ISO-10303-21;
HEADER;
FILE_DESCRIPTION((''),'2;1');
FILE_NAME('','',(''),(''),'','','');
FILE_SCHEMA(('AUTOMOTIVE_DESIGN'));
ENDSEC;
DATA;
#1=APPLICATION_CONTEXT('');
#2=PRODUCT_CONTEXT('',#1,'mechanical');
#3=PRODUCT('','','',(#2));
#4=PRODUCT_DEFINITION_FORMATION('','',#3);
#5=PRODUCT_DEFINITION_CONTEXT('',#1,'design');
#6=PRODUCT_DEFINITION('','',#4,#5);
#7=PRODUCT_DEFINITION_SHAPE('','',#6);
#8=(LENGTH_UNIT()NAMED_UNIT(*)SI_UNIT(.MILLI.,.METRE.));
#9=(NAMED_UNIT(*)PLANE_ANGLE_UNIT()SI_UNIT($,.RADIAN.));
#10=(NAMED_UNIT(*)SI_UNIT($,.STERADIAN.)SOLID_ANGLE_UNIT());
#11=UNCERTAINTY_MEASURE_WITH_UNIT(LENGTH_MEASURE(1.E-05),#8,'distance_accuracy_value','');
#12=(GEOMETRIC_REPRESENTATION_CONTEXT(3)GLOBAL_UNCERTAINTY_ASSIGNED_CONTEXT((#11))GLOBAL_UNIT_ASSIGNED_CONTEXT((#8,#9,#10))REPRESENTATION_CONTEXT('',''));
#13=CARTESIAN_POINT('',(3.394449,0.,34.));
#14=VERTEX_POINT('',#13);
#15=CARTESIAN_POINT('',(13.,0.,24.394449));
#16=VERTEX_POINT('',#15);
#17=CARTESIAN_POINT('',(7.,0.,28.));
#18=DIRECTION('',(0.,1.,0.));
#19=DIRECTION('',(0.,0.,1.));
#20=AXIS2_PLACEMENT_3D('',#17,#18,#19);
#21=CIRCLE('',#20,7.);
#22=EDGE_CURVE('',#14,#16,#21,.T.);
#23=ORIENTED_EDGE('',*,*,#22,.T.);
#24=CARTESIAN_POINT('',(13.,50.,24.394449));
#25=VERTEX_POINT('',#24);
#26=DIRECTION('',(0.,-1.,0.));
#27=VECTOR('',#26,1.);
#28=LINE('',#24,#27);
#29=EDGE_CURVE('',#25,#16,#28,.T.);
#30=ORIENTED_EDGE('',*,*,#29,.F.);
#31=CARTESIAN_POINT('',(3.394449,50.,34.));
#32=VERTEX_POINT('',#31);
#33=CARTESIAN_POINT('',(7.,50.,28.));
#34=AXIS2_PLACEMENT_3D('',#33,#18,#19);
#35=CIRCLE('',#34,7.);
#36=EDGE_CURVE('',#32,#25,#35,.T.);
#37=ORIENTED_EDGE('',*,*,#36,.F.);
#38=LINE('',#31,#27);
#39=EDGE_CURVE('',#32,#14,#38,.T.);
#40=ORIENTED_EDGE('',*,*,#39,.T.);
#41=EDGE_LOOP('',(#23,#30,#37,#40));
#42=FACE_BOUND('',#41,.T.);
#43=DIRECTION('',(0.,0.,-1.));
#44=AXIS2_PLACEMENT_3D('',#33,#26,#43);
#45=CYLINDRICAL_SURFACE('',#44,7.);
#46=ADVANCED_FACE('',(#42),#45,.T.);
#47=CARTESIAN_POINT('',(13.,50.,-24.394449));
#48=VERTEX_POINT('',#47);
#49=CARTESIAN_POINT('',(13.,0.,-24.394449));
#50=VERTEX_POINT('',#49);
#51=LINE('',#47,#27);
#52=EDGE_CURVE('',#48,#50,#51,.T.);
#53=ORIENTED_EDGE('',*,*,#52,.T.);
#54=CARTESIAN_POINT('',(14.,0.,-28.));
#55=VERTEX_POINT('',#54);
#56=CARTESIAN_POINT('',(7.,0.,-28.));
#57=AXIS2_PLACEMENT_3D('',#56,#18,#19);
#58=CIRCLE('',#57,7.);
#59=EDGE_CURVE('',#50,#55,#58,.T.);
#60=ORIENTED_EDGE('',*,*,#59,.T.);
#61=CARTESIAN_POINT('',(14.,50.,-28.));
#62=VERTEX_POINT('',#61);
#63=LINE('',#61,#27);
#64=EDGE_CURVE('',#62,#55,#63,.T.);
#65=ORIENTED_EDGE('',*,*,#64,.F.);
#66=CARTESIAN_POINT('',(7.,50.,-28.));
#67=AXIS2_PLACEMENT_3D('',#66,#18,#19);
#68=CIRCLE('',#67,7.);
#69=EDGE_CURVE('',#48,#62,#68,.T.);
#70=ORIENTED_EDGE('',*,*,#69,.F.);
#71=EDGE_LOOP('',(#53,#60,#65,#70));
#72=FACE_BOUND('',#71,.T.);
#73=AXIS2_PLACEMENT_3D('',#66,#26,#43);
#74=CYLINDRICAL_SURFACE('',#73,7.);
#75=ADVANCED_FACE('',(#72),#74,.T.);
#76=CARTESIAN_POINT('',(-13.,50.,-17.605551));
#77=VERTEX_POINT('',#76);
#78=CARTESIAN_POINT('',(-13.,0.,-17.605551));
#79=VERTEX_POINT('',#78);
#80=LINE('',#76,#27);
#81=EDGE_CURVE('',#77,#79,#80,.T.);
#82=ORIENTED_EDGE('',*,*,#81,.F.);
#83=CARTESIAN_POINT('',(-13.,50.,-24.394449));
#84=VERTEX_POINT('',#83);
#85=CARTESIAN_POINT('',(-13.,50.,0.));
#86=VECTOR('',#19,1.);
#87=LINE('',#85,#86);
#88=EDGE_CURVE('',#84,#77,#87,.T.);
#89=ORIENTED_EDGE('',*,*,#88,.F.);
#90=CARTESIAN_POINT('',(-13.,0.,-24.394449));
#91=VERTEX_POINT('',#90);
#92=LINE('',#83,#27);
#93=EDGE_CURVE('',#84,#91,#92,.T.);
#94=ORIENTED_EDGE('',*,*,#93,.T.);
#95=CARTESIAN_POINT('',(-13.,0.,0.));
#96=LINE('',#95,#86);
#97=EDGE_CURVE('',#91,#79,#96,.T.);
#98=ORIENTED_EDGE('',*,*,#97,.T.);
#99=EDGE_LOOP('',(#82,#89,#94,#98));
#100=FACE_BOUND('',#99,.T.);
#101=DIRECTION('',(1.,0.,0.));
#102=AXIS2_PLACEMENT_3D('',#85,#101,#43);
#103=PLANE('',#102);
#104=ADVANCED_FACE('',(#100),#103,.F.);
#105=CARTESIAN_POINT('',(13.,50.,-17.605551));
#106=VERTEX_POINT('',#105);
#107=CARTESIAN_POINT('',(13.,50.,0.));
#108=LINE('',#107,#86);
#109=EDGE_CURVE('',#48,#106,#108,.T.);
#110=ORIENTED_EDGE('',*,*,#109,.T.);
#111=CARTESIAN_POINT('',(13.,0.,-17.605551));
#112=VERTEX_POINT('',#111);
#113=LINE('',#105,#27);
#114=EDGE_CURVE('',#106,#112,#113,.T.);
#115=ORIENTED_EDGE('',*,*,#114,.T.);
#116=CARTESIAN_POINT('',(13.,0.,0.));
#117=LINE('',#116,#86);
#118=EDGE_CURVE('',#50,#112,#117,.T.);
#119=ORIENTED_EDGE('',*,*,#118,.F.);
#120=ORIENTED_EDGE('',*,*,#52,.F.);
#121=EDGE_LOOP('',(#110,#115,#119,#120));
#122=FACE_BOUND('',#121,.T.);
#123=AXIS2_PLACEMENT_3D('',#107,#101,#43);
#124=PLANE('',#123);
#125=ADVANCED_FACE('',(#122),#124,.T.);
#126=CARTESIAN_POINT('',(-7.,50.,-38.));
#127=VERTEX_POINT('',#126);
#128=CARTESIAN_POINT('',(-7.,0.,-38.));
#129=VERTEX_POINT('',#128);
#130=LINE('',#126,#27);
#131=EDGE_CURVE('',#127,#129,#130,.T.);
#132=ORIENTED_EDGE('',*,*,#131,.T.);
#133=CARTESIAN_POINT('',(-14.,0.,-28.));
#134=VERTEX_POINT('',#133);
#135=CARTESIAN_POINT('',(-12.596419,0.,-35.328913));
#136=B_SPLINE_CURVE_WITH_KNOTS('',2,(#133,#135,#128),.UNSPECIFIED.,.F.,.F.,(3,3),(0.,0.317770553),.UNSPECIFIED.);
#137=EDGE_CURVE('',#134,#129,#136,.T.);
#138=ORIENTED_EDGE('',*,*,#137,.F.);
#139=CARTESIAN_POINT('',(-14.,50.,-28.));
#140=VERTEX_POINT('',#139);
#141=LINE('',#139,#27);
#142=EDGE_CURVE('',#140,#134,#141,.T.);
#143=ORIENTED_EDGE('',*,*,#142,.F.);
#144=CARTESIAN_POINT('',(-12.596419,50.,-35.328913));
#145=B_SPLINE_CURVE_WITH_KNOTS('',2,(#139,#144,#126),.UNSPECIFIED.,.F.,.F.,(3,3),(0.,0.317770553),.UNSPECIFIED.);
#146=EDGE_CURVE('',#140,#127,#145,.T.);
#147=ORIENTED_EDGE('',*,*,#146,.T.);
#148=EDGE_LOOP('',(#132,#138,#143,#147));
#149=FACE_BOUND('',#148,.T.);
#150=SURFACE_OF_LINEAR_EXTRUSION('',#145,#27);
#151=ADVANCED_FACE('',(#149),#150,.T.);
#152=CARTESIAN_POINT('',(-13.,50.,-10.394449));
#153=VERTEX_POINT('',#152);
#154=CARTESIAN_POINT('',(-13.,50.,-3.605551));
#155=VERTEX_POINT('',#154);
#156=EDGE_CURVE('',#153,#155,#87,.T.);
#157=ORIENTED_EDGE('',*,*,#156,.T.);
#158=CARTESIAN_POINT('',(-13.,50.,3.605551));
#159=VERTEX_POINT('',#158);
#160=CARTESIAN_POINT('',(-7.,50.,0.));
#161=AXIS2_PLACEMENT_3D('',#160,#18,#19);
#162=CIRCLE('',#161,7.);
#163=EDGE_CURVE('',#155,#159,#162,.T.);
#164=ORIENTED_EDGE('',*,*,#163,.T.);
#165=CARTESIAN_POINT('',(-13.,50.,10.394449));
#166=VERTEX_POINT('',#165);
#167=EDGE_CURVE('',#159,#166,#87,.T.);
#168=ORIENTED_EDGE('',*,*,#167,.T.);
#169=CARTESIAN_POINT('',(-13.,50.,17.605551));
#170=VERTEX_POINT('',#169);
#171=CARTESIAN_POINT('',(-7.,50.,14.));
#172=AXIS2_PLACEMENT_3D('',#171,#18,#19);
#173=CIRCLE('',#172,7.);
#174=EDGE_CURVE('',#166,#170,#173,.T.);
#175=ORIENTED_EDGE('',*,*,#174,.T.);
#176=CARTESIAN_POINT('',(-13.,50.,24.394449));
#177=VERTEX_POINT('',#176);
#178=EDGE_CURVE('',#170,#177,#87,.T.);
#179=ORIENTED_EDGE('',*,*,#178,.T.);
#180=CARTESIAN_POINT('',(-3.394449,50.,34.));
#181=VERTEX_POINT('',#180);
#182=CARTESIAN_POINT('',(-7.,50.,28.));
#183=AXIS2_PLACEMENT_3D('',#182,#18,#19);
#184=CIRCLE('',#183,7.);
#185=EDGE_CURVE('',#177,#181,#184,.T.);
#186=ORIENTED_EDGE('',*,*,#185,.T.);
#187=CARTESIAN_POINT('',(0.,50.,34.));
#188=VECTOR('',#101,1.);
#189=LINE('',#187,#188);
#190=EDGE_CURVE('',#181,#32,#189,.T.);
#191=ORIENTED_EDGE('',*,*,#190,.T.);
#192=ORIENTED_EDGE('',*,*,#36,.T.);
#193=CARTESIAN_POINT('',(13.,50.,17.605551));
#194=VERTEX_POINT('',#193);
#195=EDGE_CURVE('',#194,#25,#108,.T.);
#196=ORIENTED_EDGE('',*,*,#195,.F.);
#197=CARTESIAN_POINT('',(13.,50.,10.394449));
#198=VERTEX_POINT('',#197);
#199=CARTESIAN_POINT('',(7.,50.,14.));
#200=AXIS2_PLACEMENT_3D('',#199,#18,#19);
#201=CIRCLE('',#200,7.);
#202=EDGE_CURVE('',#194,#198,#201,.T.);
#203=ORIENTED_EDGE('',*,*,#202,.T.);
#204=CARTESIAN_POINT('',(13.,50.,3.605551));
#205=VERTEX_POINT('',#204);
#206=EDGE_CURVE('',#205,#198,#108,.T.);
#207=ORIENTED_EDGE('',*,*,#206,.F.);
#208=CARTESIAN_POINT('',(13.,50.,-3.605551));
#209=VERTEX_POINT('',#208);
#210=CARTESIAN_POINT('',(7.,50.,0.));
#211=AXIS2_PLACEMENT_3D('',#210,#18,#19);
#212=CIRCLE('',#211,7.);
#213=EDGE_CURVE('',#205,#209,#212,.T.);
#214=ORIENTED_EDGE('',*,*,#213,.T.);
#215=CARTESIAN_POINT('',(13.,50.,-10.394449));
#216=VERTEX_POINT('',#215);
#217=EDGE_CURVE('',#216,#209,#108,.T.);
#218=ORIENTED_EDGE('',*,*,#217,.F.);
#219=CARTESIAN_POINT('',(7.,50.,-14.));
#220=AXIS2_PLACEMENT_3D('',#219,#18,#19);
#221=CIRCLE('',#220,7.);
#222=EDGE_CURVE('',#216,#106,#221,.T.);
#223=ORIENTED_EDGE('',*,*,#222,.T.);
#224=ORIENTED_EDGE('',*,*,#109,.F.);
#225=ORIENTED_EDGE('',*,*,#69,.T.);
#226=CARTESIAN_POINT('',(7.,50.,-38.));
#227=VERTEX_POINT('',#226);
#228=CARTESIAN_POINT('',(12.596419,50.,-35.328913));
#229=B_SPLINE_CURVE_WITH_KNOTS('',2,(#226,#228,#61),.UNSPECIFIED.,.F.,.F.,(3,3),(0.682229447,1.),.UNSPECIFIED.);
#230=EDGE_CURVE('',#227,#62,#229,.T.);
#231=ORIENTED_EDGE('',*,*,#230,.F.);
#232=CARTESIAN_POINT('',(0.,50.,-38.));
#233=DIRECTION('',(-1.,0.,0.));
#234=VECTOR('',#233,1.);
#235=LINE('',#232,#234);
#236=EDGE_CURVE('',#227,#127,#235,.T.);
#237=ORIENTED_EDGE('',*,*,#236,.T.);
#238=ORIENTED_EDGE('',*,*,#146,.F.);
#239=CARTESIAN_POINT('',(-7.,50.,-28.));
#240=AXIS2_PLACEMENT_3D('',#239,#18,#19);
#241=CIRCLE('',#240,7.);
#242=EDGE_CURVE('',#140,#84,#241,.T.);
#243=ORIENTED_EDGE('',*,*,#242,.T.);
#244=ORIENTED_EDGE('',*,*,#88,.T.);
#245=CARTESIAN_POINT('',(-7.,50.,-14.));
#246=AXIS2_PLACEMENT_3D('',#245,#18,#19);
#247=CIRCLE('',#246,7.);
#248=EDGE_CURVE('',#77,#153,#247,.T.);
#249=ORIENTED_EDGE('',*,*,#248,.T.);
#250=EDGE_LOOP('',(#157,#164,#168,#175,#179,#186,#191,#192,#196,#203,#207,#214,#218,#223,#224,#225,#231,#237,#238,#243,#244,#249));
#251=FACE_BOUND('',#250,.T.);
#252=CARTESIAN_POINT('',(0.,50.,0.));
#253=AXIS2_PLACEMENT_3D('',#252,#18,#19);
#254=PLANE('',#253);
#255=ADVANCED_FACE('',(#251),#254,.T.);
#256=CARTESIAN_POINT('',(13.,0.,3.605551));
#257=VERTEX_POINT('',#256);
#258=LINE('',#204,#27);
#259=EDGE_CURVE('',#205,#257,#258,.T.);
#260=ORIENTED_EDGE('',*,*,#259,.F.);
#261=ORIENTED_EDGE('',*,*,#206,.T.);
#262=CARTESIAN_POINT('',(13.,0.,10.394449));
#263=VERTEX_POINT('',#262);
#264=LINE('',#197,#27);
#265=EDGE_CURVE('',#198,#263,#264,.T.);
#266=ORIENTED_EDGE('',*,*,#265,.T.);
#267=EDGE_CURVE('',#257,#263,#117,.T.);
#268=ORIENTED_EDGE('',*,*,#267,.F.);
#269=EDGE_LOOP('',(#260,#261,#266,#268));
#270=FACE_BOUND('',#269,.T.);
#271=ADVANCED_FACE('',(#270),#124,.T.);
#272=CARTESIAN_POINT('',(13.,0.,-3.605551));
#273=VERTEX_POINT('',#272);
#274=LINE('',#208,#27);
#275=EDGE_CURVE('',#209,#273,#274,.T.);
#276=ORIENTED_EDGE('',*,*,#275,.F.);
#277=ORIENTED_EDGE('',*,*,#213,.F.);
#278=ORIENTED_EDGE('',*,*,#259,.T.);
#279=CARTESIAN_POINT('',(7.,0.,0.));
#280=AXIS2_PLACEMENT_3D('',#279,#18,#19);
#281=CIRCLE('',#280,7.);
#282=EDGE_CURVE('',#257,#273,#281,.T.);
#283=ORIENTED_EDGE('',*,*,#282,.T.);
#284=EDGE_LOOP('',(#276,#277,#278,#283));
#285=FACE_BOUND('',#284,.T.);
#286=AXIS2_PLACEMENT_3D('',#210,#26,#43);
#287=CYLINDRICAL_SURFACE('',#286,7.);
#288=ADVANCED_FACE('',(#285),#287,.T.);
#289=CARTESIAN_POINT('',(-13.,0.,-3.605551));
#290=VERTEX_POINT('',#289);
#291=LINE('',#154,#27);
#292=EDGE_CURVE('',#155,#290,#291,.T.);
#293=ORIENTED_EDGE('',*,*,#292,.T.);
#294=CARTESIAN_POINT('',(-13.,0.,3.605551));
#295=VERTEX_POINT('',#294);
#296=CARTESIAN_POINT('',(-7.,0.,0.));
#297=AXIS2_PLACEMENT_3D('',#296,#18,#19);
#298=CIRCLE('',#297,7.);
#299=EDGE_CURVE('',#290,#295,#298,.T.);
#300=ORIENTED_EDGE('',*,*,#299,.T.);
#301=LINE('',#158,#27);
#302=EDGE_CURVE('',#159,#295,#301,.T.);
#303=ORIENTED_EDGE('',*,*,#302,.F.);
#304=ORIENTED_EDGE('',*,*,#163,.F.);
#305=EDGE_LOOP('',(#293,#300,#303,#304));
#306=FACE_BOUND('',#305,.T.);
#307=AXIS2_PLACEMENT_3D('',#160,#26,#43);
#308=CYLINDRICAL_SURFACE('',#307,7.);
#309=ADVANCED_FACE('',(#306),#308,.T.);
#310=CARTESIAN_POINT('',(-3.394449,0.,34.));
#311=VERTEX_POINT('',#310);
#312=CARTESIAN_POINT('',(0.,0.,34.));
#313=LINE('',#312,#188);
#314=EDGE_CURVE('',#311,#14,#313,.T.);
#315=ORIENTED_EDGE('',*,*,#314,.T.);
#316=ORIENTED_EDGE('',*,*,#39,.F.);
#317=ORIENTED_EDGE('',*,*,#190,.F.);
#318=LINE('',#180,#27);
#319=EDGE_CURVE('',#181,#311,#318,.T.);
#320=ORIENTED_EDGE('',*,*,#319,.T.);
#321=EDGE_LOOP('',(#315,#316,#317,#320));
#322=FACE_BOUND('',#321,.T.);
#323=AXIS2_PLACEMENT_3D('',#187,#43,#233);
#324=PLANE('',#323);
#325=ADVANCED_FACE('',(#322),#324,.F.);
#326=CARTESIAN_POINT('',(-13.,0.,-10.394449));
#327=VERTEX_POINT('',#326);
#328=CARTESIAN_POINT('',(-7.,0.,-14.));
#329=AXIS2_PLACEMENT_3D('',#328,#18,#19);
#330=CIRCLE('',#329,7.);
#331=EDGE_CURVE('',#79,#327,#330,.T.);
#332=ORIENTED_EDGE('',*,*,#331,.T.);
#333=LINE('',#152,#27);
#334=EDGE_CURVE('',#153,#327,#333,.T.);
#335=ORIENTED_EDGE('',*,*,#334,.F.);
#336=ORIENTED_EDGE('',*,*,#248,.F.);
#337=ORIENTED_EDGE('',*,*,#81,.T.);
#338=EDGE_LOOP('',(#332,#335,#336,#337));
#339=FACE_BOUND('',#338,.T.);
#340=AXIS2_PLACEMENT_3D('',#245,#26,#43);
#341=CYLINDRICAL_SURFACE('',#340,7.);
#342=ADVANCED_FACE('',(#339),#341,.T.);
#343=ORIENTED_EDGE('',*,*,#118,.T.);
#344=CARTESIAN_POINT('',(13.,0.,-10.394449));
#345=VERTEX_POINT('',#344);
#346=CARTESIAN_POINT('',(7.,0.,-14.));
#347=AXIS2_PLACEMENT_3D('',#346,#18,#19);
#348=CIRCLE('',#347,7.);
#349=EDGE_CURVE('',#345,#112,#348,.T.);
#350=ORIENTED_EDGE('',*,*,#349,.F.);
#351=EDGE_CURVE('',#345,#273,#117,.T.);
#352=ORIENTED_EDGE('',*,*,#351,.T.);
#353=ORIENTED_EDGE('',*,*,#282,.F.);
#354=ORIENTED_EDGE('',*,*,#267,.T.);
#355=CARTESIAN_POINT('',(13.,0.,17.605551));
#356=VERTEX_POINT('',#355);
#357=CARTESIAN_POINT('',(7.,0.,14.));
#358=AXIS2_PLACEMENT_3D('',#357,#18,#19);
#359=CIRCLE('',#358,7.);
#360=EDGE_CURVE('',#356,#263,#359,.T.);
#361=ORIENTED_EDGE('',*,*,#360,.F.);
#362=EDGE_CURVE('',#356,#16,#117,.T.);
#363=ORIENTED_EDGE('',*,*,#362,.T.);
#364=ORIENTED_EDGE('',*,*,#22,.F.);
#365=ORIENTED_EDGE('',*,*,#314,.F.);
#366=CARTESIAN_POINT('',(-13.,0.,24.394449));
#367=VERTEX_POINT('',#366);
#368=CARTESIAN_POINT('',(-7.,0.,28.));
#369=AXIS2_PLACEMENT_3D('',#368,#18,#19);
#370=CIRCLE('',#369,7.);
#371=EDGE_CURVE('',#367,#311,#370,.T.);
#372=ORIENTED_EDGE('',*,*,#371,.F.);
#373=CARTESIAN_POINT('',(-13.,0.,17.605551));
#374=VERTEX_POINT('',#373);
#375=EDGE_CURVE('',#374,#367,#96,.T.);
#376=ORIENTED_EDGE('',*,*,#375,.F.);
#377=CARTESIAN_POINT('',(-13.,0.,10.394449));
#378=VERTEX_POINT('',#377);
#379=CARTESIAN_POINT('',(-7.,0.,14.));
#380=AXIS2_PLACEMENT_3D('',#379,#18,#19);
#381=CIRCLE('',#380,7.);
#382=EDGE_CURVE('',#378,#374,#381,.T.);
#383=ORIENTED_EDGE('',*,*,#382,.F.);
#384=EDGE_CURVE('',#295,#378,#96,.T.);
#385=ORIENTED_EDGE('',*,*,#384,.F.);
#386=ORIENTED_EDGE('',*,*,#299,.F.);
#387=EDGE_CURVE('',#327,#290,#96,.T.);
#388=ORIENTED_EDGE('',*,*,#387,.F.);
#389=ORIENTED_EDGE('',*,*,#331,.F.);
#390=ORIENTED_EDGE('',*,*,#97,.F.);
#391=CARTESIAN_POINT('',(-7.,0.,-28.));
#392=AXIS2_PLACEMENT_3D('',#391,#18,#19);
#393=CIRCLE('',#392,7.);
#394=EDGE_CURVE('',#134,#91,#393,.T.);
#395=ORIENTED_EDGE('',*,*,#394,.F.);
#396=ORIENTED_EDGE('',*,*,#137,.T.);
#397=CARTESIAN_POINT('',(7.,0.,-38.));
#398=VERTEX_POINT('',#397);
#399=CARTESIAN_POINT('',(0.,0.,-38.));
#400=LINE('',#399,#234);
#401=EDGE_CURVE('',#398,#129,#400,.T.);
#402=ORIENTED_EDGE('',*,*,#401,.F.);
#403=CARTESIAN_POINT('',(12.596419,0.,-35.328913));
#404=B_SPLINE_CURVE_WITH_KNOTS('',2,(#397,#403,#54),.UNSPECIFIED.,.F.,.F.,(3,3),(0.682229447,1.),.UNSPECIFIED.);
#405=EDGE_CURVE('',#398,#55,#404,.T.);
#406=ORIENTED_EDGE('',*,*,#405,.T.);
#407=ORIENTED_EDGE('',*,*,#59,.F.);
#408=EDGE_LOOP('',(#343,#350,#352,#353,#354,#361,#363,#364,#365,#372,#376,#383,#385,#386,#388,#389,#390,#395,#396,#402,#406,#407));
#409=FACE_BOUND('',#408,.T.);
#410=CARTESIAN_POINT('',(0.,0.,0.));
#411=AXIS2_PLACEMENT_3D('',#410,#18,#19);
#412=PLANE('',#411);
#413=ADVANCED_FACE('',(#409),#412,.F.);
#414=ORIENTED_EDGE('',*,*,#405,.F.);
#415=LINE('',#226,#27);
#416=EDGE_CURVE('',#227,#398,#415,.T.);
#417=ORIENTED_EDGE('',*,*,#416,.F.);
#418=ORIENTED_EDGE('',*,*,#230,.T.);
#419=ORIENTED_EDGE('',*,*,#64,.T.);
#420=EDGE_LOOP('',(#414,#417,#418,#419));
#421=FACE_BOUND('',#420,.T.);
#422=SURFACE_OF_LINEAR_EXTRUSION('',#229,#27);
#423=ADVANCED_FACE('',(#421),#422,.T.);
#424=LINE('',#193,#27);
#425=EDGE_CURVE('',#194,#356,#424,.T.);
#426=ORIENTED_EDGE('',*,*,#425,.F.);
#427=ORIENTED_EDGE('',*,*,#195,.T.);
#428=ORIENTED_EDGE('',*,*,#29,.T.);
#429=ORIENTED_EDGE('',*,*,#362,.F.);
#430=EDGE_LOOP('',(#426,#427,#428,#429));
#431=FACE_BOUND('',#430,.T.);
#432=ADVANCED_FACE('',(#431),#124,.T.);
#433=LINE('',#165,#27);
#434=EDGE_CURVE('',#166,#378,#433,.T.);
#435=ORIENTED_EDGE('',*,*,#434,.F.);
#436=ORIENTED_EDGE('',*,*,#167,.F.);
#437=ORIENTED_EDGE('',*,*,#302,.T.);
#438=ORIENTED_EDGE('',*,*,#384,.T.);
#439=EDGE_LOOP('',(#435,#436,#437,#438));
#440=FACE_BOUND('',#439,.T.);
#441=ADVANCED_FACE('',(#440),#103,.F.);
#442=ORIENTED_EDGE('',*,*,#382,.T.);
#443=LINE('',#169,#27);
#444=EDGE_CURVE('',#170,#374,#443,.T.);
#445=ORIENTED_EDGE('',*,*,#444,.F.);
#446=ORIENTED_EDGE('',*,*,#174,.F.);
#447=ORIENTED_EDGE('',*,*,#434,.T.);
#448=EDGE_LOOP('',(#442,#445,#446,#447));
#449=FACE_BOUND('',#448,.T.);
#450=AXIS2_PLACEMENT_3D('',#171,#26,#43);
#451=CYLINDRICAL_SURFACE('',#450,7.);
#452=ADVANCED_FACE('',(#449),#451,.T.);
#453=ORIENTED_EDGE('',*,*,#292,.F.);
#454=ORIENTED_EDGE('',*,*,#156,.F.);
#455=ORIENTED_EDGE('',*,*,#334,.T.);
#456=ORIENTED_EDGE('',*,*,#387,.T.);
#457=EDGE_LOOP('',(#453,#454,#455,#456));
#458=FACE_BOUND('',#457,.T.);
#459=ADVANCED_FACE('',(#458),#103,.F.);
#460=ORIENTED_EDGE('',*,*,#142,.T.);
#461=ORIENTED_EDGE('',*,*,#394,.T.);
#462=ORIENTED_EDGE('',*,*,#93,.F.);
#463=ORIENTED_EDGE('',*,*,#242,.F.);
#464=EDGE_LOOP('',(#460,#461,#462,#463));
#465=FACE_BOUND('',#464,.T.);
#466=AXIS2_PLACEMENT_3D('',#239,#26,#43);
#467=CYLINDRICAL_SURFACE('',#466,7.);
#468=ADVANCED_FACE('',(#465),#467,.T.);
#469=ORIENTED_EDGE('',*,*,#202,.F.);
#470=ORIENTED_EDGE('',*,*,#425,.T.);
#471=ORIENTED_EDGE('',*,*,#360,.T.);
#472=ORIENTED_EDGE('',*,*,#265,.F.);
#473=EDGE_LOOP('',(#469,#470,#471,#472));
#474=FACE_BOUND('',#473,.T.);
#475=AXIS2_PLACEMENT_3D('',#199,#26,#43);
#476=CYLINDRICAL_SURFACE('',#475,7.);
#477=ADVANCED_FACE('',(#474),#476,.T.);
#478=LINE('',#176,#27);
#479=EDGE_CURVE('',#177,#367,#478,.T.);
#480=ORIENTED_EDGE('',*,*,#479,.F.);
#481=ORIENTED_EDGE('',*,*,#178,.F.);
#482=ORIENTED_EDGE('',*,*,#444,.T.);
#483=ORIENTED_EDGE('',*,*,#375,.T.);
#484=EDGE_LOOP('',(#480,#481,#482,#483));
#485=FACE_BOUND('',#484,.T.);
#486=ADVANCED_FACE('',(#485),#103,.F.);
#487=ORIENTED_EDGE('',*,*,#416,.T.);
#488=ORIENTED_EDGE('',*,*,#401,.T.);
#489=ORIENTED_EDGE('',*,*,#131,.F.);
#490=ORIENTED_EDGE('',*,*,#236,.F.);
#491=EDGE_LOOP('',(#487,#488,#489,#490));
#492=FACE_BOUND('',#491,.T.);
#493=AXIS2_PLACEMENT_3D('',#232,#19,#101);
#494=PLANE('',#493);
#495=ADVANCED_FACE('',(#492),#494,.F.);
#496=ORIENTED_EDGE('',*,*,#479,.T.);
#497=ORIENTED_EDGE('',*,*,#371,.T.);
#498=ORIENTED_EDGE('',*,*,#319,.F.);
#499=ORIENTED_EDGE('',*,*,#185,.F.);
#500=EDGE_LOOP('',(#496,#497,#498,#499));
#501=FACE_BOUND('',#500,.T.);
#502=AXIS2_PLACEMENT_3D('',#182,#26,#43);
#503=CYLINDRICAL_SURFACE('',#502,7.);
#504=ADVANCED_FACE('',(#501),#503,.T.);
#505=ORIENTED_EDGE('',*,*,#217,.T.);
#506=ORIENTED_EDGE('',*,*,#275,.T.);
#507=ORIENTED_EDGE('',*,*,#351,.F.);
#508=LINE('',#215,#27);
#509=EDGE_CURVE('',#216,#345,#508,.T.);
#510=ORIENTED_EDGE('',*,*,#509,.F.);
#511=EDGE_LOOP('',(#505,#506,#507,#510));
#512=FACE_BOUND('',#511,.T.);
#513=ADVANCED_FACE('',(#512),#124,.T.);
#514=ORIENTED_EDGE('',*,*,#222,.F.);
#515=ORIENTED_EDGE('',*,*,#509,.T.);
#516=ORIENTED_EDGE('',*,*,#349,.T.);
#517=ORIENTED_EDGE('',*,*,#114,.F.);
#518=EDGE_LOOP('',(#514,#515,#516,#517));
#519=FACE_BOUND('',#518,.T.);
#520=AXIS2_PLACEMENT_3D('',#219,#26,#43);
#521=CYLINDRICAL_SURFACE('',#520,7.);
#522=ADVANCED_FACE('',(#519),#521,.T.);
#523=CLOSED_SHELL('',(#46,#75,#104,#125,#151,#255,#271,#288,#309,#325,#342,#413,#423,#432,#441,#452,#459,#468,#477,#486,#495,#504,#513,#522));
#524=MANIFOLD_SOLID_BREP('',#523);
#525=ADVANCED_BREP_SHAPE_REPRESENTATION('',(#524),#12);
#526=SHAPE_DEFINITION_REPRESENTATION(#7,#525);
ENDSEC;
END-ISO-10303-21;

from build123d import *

# Parameters (mm, degrees)
BOSS_EXTRUDE1_DEPTH = 50


with BuildPart() as part:
    # Sketch2 → Boss-Extrude1 (new body)
    with BuildSketch(Plane(origin=(0, 0, 0), x_dir=(1, 0, 0), z_dir=(0, 1, 0))):
        with BuildLine():
            Line((7, 38), (-7, 38))
            add(Edge.make_bspline(
                [(-7, 38), (-12.596418812, 35.328912619), (-14, 28)],
                knots=[0.092966826, 0.092966826, 0.092966826, 0.41073738, 0.41073738, 0.41073738], degree=2))
            ThreePointArc((-14, 28), (-13.745368782, 26.129171307), (-13, 24.394448725))
            Line((-13, 24.394448725), (-13, 17.605551275))
            ThreePointArc((-13, 17.605551275), (-14, 14), (-13, 10.394448725))
            Line((-13, 10.394448725), (-13, 3.605551275))
            ThreePointArc((-13, 3.605551275), (-14, 0), (-13, -3.605551275))
            Line((-13, -3.605551275), (-13, -10.394448725))
            ThreePointArc((-13, -10.394448725), (-14, -14), (-13, -17.605551275))
            Line((-13, -17.605551275), (-13, -24.394448725))
            ThreePointArc((-13, -24.394448725), (-11.949747468, -32.949747468), (-3.394448725, -34))
            Line((-3.394448725, -34), (3.394448725, -34))
            ThreePointArc((3.394448725, -34), (11.949747468, -32.949747468), (13, -24.394448725))
            Line((13, -24.394448725), (13, -17.605551275))
            ThreePointArc((13, -17.605551275), (14, -14), (13, -10.394448725))
            Line((13, -10.394448725), (13, -3.605551275))
            ThreePointArc((13, -3.605551275), (14, 0), (13, 3.605551275))
            Line((13, 3.605551275), (13, 10.394448725))
            ThreePointArc((13, 10.394448725), (14, 14), (13, 17.605551275))
            Line((13, 17.605551275), (13, 24.394448725))
            ThreePointArc((13, 24.394448725), (13.745368782, 26.129171307), (14, 28))
            add(Edge.make_bspline(
                [(14, 28), (12.596418812, 35.328912619), (7, 38)],
                knots=[0.907033174, 0.907033174, 0.907033174, 1.224803727, 1.224803727, 1.224803727], degree=2))
        make_face()
    extrude(amount=BOSS_EXTRUDE1_DEPTH)


solid = part.part
